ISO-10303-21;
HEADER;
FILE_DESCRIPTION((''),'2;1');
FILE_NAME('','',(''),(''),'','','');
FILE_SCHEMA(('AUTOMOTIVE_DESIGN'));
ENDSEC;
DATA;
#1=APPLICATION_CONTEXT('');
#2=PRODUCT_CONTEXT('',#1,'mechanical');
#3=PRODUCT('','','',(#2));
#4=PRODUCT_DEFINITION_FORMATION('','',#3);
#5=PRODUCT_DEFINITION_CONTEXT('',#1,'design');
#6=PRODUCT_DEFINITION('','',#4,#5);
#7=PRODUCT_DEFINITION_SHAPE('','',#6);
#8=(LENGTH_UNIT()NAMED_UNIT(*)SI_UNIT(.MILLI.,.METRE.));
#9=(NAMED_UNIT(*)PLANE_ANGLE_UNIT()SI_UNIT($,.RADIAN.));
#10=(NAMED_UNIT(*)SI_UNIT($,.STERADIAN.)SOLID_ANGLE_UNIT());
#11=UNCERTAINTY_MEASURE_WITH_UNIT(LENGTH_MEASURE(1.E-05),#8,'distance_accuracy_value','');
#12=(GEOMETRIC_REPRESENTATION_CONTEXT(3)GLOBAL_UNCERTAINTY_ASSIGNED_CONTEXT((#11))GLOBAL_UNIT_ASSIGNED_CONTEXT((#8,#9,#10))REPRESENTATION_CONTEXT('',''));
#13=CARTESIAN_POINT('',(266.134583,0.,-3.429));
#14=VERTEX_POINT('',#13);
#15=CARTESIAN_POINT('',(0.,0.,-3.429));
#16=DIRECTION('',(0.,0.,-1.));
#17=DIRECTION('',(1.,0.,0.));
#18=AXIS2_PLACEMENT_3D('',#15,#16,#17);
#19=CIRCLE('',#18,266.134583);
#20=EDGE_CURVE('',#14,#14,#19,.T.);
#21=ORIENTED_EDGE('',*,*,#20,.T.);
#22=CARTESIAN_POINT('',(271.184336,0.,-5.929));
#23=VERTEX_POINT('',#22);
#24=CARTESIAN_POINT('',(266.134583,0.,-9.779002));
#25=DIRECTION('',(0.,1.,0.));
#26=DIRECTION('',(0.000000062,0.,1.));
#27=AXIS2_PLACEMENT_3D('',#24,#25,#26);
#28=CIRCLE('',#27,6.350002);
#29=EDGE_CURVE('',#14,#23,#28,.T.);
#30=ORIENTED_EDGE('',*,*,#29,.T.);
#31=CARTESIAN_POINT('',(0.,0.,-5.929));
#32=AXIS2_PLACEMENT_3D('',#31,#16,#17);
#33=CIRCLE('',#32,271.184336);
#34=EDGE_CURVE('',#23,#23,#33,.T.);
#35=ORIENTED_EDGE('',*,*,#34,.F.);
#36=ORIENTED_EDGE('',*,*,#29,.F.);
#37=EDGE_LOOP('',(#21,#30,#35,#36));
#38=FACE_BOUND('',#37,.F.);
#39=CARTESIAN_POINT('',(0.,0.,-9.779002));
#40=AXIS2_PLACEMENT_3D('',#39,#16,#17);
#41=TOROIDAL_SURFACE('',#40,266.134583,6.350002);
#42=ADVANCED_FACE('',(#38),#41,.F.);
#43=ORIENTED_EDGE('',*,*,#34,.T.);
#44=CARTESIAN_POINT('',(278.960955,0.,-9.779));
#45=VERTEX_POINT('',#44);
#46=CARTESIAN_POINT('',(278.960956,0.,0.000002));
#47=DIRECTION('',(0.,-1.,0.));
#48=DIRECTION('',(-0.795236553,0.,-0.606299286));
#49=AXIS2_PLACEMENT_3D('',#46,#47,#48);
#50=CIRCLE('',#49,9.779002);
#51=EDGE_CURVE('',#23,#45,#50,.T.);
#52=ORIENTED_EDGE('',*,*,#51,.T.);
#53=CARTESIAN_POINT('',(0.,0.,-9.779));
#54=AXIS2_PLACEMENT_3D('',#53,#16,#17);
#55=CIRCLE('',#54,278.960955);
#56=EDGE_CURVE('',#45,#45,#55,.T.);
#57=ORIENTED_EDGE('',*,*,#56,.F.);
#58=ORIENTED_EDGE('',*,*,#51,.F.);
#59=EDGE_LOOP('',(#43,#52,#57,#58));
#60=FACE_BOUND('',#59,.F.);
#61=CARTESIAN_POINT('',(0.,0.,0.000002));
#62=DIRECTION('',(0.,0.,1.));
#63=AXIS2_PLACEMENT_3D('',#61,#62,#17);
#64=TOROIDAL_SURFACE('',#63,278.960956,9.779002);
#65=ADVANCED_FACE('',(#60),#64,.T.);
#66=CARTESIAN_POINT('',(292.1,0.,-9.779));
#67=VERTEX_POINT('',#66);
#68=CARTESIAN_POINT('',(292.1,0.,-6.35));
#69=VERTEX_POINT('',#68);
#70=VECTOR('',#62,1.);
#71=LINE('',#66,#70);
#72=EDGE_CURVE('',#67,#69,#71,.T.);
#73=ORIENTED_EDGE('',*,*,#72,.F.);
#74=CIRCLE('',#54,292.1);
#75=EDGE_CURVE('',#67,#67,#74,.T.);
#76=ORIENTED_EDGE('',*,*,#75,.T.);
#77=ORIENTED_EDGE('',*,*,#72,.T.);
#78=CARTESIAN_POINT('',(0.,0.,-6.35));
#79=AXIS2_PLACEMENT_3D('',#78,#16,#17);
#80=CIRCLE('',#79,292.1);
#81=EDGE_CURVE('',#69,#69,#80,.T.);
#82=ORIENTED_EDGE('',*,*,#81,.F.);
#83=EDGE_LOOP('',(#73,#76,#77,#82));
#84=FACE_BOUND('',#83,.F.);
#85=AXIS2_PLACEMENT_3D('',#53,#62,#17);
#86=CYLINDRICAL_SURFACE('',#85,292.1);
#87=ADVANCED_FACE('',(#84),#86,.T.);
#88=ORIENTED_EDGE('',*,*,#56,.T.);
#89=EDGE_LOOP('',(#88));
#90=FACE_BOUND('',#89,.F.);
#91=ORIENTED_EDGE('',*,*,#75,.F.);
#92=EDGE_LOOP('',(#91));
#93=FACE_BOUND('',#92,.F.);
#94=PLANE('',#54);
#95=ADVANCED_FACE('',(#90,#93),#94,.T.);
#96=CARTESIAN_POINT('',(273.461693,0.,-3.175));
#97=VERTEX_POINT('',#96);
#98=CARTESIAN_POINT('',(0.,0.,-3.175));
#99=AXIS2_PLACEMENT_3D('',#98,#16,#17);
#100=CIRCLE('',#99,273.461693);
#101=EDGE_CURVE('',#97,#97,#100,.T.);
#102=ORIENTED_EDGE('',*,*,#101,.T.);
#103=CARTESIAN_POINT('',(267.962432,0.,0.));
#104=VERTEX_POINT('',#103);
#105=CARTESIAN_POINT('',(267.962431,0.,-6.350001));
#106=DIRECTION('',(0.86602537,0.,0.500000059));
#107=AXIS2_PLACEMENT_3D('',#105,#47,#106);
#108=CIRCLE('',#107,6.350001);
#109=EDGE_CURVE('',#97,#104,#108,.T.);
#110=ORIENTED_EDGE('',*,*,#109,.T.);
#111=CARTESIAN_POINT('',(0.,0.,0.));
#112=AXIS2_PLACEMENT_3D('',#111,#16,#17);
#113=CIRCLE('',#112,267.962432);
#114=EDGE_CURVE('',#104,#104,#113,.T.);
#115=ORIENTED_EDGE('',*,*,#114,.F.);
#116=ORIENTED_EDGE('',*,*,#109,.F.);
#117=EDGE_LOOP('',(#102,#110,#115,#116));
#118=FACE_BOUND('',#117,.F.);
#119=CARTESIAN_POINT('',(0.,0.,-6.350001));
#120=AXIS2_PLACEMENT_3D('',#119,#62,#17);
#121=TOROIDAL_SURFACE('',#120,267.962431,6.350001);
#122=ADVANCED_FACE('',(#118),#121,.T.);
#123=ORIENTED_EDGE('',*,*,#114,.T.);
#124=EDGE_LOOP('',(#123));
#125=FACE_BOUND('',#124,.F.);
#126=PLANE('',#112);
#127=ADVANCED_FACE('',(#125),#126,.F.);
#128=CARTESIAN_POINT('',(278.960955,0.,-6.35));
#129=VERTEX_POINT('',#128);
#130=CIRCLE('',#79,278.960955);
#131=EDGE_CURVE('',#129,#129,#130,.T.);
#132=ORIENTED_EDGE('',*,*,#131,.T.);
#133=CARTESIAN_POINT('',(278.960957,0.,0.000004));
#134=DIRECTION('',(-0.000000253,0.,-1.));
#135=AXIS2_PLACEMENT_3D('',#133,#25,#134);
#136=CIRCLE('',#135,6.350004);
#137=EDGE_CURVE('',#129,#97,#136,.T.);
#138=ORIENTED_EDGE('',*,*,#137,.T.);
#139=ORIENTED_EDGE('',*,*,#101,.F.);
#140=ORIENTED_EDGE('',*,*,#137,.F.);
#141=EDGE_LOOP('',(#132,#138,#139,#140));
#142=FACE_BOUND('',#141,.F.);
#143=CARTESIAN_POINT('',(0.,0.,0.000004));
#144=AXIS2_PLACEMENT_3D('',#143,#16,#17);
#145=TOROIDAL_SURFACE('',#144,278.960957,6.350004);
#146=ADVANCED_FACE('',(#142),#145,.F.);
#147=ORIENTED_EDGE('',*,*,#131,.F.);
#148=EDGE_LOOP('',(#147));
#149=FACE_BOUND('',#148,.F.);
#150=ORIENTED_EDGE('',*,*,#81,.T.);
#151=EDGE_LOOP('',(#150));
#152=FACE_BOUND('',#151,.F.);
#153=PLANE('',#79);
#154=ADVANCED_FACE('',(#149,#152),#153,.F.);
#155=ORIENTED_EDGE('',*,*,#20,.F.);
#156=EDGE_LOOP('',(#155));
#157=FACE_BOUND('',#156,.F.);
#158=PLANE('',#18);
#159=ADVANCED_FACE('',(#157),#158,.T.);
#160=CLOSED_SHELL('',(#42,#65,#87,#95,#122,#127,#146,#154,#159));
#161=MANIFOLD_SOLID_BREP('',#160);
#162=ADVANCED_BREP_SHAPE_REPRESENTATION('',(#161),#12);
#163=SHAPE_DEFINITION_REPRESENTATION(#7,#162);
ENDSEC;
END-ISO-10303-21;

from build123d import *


with BuildPart() as f1:
    # F0 (on Front) → F1 (revolve)
    with BuildSketch(Plane.XZ):
        with BuildLine():
            Line((267.962432, 0), (0, 0))
            Line((0, 0), (0, -3.429))
            Line((0, -3.429), (266.134583, -3.429))
            ThreePointArc((266.134583, -3.429), (268.95194, -4.088218), (271.184336, -5.929))
            ThreePointArc((271.184336, -5.929), (274.622225, -8.763804), (278.960955, -9.779))
            Line((278.960955, -9.779), (292.1, -9.779))
            Line((292.1, -9.779), (292.1, -6.35))
            Line((292.1, -6.35), (278.960955, -6.35))
            ThreePointArc((278.960955, -6.35), (275.785955, -5.499261), (273.461693, -3.175))
            ThreePointArc((273.461693, -3.175), (271.137432, -0.850739), (267.962432, 0))
        make_face()
    revolve(axis=Axis((0, 0, -1.7145), (0, 0, -1)))


solid = f1.part
